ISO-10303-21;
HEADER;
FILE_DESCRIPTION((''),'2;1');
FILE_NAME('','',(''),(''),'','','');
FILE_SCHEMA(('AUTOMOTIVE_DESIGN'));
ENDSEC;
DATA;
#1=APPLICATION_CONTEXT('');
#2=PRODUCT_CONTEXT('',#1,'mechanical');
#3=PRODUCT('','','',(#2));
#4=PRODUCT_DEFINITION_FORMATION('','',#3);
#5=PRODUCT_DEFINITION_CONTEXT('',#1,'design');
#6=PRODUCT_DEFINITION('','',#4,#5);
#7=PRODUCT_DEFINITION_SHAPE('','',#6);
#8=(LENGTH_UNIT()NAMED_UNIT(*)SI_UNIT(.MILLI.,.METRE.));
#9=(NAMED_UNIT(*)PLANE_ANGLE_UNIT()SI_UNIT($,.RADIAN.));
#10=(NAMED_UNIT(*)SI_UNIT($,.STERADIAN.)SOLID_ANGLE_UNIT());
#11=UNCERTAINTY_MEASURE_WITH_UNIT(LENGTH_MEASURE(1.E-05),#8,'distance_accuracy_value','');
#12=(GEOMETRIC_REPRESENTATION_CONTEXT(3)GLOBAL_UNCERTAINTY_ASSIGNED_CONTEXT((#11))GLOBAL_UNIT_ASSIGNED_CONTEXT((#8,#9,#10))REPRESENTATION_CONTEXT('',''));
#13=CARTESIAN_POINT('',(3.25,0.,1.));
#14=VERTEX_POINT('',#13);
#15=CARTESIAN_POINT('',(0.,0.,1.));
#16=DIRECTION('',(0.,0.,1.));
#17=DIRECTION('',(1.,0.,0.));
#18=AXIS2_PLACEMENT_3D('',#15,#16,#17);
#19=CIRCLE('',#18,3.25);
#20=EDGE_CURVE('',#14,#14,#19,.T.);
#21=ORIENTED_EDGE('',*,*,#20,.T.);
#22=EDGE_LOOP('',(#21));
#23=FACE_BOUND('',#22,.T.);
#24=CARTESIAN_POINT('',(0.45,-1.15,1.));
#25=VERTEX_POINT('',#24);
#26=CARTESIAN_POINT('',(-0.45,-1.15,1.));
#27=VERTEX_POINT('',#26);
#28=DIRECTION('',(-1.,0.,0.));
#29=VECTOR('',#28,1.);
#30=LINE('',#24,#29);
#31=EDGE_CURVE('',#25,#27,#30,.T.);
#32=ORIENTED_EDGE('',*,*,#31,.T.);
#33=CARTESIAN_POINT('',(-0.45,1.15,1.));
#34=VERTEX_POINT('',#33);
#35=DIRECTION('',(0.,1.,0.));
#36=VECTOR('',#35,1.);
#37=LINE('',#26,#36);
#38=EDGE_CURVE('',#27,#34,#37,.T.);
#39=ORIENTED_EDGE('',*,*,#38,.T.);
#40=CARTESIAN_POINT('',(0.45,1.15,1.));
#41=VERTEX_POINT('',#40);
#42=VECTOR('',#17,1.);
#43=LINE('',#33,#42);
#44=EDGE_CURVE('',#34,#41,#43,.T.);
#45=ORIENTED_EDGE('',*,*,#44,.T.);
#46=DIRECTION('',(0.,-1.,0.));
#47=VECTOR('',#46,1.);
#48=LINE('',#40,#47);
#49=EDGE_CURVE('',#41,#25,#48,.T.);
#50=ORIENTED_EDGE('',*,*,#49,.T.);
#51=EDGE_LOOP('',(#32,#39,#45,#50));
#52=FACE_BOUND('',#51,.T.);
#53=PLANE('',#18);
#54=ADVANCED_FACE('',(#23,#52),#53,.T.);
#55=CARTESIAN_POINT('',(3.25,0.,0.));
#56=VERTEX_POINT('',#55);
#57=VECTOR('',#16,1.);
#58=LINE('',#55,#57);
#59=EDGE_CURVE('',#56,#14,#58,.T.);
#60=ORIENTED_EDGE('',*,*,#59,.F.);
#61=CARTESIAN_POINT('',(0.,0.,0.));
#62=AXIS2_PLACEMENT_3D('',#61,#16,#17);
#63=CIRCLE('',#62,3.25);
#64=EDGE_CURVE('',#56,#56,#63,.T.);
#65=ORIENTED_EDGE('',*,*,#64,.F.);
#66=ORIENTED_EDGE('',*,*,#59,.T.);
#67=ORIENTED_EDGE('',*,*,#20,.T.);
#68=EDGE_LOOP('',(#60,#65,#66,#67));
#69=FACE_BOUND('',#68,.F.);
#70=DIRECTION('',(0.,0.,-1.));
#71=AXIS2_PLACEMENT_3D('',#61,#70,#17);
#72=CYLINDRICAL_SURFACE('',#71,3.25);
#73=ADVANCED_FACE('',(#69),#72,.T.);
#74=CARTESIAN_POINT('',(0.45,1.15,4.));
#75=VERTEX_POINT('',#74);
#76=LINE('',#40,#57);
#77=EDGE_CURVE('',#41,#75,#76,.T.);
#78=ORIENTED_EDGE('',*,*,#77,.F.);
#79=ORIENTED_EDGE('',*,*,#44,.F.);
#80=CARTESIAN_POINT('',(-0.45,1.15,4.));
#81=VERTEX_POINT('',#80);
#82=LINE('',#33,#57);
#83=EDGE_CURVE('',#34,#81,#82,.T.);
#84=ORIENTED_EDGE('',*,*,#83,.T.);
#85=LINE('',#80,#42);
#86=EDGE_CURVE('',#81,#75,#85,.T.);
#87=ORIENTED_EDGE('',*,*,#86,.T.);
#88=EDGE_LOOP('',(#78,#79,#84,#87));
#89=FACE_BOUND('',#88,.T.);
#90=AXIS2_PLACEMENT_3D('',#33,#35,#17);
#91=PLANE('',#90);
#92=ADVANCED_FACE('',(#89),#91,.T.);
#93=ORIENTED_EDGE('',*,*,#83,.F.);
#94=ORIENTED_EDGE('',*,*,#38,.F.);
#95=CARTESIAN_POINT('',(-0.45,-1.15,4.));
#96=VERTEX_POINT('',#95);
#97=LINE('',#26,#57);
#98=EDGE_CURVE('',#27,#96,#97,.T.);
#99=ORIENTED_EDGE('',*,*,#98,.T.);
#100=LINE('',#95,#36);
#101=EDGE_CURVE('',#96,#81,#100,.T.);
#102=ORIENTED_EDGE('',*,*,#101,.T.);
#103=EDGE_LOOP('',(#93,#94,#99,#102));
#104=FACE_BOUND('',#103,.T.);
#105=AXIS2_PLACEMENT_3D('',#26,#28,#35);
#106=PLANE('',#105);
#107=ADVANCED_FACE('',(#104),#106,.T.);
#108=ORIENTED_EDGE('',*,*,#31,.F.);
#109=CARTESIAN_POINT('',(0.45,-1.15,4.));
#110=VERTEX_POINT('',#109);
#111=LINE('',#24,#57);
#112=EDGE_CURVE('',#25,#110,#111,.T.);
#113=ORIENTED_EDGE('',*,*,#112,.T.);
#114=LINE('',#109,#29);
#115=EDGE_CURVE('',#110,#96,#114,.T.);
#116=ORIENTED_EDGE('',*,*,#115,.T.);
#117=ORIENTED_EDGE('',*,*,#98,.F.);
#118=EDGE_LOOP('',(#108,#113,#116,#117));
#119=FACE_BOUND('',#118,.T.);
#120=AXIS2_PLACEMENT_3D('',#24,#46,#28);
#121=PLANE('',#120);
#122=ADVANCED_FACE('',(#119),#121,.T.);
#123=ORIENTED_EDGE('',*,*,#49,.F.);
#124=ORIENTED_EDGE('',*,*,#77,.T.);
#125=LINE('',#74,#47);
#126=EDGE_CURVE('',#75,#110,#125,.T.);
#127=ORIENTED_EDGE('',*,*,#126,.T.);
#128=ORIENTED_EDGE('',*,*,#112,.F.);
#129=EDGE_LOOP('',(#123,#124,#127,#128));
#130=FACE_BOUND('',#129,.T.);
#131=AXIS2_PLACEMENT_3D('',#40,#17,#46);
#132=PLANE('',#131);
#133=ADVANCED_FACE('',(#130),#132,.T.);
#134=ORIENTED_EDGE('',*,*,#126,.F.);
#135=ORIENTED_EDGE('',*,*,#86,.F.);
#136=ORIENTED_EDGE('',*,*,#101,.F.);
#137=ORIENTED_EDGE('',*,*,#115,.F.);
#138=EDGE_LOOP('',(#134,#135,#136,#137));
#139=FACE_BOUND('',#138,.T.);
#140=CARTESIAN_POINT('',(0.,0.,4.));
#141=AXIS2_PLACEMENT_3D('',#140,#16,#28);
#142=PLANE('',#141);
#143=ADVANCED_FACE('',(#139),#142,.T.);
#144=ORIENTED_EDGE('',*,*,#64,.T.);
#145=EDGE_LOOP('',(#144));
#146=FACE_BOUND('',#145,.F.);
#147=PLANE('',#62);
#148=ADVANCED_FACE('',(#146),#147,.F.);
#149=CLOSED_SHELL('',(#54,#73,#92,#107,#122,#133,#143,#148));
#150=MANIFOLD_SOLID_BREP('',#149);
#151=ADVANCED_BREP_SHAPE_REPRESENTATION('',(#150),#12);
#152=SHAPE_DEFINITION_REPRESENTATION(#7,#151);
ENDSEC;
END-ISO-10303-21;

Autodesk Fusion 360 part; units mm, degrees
sketch "Esquisse1" plane through (0, 0, 0) normal (0, 0, 1) x (1, 0, 0)
  circle A0 centre (0, 0) radius 3.25
  dimension "d1" = 6.5
extrude "Extrusion1" add sketch "Esquisse1" along normal blind 1
sketch "Esquisse2" plane through (0, 0, 1) normal (0, 0, 1) x (-1, 0, 0)
  circle A0 centre (0, 0) radius 3.25
  line L0 (-0.45, 1.15) -> (0.45, 1.15)
  line L1 (0.45, 1.15) -> (0.45, -1.15)
  line L2 (0.45, -1.15) -> (-0.45, -1.15)
  line L3 (-0.45, -1.15) -> (-0.45, 1.15)
  line L4 (-0.45, 1.15) -> (0.45, -1.15) construction
  line L5 (0.45, 1.15) -> (-0.45, -1.15) construction
  dimension "d4" = 0.9
  dimension "d5" = 2.3
extrude "Extrusion2" add sketch "Esquisse2" along normal blind 3 contours L0 L1 L2 L3
